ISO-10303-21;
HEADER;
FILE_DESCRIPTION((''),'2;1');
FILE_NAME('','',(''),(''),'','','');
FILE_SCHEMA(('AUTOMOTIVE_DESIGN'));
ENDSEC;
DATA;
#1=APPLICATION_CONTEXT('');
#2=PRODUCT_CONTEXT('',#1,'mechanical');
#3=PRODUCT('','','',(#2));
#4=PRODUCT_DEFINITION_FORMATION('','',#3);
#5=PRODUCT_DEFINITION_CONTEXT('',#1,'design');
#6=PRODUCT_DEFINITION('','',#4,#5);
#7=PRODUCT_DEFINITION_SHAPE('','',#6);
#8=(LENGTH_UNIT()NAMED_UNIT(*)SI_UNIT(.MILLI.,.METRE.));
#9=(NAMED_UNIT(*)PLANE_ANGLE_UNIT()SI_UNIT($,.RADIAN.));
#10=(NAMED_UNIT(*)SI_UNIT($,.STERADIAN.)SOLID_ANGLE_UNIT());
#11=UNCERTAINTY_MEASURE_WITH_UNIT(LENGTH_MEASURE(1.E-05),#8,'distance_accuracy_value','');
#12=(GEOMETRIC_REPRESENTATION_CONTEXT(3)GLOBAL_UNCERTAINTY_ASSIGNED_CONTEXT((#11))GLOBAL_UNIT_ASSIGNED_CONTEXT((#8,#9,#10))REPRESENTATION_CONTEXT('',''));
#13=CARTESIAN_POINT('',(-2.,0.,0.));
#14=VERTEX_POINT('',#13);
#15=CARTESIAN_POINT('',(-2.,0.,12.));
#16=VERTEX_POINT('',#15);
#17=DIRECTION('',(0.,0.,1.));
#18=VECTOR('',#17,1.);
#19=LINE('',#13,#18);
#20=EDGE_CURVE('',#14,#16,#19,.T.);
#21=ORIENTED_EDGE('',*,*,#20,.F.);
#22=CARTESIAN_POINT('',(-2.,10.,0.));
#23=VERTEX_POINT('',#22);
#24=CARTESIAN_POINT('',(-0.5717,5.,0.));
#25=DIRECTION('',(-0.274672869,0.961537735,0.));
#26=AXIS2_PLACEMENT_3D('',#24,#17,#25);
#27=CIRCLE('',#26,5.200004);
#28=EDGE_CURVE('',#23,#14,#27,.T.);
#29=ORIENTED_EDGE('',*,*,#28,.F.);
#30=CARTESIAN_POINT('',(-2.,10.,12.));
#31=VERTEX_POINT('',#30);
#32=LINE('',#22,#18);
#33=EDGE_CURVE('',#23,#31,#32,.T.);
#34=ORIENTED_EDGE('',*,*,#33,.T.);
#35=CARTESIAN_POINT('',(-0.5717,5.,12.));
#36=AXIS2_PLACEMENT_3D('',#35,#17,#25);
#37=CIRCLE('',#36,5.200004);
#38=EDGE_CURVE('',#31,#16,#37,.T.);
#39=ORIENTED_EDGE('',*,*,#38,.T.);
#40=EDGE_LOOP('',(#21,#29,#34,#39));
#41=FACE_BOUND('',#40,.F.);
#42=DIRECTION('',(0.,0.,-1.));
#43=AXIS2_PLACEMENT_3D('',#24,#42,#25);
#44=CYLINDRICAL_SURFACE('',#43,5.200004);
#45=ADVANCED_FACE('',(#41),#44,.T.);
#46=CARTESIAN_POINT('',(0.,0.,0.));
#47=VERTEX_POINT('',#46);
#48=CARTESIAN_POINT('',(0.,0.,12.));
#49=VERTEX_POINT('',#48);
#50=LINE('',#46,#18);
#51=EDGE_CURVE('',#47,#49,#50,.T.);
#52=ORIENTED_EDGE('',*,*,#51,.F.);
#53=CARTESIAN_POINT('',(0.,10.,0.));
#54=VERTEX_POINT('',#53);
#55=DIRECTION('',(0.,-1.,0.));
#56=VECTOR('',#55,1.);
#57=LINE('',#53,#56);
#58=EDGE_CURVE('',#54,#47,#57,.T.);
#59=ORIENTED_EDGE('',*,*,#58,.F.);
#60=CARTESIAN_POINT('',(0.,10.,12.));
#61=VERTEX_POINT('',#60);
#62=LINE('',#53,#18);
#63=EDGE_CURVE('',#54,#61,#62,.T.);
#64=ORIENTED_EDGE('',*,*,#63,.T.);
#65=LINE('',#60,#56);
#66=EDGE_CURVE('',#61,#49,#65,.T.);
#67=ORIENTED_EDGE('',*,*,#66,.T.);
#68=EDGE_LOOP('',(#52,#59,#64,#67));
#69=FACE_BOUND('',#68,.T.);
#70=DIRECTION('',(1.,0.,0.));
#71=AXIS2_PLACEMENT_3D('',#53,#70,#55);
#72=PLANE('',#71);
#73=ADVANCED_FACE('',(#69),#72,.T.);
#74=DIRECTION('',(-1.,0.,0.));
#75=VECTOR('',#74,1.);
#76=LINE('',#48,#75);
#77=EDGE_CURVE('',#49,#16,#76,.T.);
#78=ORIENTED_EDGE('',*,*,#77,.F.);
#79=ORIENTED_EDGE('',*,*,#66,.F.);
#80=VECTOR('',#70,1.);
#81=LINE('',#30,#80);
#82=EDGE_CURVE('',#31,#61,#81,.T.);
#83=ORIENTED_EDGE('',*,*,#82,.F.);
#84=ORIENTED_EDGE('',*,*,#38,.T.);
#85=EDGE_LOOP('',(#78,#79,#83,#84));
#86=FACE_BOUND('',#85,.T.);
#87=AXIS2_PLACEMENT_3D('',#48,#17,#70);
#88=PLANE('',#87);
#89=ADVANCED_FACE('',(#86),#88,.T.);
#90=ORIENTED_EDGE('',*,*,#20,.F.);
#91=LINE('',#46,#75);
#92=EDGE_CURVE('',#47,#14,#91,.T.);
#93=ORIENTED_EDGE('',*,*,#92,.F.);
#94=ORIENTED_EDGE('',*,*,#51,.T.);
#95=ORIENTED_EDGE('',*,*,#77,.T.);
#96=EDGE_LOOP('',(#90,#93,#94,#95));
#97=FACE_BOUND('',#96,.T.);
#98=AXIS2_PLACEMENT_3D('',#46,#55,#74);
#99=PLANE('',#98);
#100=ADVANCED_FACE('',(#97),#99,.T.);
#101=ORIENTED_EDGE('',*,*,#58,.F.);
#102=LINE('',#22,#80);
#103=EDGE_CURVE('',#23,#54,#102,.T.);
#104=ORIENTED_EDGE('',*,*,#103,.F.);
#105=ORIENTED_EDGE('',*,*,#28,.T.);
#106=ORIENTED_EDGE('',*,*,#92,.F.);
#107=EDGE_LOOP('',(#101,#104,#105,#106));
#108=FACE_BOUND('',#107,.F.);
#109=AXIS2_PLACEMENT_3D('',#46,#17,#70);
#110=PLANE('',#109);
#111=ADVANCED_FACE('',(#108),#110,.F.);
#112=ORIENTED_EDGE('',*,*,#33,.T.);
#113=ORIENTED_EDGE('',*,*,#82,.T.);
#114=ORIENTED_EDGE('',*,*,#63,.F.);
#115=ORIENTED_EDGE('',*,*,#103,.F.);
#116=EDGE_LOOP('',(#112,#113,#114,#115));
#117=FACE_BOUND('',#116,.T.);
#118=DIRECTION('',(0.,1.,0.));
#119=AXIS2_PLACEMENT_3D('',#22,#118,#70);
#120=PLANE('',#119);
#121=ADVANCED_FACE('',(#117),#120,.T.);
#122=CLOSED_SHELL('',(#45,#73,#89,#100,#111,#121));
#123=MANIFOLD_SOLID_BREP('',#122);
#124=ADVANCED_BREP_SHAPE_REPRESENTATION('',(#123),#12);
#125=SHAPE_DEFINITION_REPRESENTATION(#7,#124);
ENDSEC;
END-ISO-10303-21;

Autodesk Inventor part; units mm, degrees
ref_plane "YZ Plane" through (0, 0, 0) normal (1, 0, 0) x (0, 1, 0)
ref_plane "XZ Plane" through (0, 0, 0) normal (0, 1, 0) x (-1, 0, 0)
ref_plane "XY Plane" through (0, 0, 0) normal (0, 0, 1) x (1, 0, 0)
sketch "Skizze1" plane through (0, 0, 0) normal (0, 0, 1) x (1, 0, 0)
  line L0 (0, 0) -> (-2, 0)
  line L1 (-2, 0) -> (-2, 10)
  line L2 (-2, 10) -> (0, 10)
  line L3 (0, 10) -> (0, 0)
  arc A0 (-2, 10) -> (-2, 0) centre (-0.5717, 5) ccw
  dimension "d0" = 2
  dimension "d1" = 10
  dimension "d2" = 5.2
extrude "Extrusion1" add sketch "Skizze1" along normal blind 12
ref_plane "Arbeitsebene1" through (-2, 5, 0) normal (0, -1, 0) x (1, 0, 0)
ref_plane "Arbeitsebene2" through (0, 0, 6) normal (0, 0, -1) x (-1, 0, 0)
properties part number "00_Thorlabs_LJ1878L1-A-Step"
